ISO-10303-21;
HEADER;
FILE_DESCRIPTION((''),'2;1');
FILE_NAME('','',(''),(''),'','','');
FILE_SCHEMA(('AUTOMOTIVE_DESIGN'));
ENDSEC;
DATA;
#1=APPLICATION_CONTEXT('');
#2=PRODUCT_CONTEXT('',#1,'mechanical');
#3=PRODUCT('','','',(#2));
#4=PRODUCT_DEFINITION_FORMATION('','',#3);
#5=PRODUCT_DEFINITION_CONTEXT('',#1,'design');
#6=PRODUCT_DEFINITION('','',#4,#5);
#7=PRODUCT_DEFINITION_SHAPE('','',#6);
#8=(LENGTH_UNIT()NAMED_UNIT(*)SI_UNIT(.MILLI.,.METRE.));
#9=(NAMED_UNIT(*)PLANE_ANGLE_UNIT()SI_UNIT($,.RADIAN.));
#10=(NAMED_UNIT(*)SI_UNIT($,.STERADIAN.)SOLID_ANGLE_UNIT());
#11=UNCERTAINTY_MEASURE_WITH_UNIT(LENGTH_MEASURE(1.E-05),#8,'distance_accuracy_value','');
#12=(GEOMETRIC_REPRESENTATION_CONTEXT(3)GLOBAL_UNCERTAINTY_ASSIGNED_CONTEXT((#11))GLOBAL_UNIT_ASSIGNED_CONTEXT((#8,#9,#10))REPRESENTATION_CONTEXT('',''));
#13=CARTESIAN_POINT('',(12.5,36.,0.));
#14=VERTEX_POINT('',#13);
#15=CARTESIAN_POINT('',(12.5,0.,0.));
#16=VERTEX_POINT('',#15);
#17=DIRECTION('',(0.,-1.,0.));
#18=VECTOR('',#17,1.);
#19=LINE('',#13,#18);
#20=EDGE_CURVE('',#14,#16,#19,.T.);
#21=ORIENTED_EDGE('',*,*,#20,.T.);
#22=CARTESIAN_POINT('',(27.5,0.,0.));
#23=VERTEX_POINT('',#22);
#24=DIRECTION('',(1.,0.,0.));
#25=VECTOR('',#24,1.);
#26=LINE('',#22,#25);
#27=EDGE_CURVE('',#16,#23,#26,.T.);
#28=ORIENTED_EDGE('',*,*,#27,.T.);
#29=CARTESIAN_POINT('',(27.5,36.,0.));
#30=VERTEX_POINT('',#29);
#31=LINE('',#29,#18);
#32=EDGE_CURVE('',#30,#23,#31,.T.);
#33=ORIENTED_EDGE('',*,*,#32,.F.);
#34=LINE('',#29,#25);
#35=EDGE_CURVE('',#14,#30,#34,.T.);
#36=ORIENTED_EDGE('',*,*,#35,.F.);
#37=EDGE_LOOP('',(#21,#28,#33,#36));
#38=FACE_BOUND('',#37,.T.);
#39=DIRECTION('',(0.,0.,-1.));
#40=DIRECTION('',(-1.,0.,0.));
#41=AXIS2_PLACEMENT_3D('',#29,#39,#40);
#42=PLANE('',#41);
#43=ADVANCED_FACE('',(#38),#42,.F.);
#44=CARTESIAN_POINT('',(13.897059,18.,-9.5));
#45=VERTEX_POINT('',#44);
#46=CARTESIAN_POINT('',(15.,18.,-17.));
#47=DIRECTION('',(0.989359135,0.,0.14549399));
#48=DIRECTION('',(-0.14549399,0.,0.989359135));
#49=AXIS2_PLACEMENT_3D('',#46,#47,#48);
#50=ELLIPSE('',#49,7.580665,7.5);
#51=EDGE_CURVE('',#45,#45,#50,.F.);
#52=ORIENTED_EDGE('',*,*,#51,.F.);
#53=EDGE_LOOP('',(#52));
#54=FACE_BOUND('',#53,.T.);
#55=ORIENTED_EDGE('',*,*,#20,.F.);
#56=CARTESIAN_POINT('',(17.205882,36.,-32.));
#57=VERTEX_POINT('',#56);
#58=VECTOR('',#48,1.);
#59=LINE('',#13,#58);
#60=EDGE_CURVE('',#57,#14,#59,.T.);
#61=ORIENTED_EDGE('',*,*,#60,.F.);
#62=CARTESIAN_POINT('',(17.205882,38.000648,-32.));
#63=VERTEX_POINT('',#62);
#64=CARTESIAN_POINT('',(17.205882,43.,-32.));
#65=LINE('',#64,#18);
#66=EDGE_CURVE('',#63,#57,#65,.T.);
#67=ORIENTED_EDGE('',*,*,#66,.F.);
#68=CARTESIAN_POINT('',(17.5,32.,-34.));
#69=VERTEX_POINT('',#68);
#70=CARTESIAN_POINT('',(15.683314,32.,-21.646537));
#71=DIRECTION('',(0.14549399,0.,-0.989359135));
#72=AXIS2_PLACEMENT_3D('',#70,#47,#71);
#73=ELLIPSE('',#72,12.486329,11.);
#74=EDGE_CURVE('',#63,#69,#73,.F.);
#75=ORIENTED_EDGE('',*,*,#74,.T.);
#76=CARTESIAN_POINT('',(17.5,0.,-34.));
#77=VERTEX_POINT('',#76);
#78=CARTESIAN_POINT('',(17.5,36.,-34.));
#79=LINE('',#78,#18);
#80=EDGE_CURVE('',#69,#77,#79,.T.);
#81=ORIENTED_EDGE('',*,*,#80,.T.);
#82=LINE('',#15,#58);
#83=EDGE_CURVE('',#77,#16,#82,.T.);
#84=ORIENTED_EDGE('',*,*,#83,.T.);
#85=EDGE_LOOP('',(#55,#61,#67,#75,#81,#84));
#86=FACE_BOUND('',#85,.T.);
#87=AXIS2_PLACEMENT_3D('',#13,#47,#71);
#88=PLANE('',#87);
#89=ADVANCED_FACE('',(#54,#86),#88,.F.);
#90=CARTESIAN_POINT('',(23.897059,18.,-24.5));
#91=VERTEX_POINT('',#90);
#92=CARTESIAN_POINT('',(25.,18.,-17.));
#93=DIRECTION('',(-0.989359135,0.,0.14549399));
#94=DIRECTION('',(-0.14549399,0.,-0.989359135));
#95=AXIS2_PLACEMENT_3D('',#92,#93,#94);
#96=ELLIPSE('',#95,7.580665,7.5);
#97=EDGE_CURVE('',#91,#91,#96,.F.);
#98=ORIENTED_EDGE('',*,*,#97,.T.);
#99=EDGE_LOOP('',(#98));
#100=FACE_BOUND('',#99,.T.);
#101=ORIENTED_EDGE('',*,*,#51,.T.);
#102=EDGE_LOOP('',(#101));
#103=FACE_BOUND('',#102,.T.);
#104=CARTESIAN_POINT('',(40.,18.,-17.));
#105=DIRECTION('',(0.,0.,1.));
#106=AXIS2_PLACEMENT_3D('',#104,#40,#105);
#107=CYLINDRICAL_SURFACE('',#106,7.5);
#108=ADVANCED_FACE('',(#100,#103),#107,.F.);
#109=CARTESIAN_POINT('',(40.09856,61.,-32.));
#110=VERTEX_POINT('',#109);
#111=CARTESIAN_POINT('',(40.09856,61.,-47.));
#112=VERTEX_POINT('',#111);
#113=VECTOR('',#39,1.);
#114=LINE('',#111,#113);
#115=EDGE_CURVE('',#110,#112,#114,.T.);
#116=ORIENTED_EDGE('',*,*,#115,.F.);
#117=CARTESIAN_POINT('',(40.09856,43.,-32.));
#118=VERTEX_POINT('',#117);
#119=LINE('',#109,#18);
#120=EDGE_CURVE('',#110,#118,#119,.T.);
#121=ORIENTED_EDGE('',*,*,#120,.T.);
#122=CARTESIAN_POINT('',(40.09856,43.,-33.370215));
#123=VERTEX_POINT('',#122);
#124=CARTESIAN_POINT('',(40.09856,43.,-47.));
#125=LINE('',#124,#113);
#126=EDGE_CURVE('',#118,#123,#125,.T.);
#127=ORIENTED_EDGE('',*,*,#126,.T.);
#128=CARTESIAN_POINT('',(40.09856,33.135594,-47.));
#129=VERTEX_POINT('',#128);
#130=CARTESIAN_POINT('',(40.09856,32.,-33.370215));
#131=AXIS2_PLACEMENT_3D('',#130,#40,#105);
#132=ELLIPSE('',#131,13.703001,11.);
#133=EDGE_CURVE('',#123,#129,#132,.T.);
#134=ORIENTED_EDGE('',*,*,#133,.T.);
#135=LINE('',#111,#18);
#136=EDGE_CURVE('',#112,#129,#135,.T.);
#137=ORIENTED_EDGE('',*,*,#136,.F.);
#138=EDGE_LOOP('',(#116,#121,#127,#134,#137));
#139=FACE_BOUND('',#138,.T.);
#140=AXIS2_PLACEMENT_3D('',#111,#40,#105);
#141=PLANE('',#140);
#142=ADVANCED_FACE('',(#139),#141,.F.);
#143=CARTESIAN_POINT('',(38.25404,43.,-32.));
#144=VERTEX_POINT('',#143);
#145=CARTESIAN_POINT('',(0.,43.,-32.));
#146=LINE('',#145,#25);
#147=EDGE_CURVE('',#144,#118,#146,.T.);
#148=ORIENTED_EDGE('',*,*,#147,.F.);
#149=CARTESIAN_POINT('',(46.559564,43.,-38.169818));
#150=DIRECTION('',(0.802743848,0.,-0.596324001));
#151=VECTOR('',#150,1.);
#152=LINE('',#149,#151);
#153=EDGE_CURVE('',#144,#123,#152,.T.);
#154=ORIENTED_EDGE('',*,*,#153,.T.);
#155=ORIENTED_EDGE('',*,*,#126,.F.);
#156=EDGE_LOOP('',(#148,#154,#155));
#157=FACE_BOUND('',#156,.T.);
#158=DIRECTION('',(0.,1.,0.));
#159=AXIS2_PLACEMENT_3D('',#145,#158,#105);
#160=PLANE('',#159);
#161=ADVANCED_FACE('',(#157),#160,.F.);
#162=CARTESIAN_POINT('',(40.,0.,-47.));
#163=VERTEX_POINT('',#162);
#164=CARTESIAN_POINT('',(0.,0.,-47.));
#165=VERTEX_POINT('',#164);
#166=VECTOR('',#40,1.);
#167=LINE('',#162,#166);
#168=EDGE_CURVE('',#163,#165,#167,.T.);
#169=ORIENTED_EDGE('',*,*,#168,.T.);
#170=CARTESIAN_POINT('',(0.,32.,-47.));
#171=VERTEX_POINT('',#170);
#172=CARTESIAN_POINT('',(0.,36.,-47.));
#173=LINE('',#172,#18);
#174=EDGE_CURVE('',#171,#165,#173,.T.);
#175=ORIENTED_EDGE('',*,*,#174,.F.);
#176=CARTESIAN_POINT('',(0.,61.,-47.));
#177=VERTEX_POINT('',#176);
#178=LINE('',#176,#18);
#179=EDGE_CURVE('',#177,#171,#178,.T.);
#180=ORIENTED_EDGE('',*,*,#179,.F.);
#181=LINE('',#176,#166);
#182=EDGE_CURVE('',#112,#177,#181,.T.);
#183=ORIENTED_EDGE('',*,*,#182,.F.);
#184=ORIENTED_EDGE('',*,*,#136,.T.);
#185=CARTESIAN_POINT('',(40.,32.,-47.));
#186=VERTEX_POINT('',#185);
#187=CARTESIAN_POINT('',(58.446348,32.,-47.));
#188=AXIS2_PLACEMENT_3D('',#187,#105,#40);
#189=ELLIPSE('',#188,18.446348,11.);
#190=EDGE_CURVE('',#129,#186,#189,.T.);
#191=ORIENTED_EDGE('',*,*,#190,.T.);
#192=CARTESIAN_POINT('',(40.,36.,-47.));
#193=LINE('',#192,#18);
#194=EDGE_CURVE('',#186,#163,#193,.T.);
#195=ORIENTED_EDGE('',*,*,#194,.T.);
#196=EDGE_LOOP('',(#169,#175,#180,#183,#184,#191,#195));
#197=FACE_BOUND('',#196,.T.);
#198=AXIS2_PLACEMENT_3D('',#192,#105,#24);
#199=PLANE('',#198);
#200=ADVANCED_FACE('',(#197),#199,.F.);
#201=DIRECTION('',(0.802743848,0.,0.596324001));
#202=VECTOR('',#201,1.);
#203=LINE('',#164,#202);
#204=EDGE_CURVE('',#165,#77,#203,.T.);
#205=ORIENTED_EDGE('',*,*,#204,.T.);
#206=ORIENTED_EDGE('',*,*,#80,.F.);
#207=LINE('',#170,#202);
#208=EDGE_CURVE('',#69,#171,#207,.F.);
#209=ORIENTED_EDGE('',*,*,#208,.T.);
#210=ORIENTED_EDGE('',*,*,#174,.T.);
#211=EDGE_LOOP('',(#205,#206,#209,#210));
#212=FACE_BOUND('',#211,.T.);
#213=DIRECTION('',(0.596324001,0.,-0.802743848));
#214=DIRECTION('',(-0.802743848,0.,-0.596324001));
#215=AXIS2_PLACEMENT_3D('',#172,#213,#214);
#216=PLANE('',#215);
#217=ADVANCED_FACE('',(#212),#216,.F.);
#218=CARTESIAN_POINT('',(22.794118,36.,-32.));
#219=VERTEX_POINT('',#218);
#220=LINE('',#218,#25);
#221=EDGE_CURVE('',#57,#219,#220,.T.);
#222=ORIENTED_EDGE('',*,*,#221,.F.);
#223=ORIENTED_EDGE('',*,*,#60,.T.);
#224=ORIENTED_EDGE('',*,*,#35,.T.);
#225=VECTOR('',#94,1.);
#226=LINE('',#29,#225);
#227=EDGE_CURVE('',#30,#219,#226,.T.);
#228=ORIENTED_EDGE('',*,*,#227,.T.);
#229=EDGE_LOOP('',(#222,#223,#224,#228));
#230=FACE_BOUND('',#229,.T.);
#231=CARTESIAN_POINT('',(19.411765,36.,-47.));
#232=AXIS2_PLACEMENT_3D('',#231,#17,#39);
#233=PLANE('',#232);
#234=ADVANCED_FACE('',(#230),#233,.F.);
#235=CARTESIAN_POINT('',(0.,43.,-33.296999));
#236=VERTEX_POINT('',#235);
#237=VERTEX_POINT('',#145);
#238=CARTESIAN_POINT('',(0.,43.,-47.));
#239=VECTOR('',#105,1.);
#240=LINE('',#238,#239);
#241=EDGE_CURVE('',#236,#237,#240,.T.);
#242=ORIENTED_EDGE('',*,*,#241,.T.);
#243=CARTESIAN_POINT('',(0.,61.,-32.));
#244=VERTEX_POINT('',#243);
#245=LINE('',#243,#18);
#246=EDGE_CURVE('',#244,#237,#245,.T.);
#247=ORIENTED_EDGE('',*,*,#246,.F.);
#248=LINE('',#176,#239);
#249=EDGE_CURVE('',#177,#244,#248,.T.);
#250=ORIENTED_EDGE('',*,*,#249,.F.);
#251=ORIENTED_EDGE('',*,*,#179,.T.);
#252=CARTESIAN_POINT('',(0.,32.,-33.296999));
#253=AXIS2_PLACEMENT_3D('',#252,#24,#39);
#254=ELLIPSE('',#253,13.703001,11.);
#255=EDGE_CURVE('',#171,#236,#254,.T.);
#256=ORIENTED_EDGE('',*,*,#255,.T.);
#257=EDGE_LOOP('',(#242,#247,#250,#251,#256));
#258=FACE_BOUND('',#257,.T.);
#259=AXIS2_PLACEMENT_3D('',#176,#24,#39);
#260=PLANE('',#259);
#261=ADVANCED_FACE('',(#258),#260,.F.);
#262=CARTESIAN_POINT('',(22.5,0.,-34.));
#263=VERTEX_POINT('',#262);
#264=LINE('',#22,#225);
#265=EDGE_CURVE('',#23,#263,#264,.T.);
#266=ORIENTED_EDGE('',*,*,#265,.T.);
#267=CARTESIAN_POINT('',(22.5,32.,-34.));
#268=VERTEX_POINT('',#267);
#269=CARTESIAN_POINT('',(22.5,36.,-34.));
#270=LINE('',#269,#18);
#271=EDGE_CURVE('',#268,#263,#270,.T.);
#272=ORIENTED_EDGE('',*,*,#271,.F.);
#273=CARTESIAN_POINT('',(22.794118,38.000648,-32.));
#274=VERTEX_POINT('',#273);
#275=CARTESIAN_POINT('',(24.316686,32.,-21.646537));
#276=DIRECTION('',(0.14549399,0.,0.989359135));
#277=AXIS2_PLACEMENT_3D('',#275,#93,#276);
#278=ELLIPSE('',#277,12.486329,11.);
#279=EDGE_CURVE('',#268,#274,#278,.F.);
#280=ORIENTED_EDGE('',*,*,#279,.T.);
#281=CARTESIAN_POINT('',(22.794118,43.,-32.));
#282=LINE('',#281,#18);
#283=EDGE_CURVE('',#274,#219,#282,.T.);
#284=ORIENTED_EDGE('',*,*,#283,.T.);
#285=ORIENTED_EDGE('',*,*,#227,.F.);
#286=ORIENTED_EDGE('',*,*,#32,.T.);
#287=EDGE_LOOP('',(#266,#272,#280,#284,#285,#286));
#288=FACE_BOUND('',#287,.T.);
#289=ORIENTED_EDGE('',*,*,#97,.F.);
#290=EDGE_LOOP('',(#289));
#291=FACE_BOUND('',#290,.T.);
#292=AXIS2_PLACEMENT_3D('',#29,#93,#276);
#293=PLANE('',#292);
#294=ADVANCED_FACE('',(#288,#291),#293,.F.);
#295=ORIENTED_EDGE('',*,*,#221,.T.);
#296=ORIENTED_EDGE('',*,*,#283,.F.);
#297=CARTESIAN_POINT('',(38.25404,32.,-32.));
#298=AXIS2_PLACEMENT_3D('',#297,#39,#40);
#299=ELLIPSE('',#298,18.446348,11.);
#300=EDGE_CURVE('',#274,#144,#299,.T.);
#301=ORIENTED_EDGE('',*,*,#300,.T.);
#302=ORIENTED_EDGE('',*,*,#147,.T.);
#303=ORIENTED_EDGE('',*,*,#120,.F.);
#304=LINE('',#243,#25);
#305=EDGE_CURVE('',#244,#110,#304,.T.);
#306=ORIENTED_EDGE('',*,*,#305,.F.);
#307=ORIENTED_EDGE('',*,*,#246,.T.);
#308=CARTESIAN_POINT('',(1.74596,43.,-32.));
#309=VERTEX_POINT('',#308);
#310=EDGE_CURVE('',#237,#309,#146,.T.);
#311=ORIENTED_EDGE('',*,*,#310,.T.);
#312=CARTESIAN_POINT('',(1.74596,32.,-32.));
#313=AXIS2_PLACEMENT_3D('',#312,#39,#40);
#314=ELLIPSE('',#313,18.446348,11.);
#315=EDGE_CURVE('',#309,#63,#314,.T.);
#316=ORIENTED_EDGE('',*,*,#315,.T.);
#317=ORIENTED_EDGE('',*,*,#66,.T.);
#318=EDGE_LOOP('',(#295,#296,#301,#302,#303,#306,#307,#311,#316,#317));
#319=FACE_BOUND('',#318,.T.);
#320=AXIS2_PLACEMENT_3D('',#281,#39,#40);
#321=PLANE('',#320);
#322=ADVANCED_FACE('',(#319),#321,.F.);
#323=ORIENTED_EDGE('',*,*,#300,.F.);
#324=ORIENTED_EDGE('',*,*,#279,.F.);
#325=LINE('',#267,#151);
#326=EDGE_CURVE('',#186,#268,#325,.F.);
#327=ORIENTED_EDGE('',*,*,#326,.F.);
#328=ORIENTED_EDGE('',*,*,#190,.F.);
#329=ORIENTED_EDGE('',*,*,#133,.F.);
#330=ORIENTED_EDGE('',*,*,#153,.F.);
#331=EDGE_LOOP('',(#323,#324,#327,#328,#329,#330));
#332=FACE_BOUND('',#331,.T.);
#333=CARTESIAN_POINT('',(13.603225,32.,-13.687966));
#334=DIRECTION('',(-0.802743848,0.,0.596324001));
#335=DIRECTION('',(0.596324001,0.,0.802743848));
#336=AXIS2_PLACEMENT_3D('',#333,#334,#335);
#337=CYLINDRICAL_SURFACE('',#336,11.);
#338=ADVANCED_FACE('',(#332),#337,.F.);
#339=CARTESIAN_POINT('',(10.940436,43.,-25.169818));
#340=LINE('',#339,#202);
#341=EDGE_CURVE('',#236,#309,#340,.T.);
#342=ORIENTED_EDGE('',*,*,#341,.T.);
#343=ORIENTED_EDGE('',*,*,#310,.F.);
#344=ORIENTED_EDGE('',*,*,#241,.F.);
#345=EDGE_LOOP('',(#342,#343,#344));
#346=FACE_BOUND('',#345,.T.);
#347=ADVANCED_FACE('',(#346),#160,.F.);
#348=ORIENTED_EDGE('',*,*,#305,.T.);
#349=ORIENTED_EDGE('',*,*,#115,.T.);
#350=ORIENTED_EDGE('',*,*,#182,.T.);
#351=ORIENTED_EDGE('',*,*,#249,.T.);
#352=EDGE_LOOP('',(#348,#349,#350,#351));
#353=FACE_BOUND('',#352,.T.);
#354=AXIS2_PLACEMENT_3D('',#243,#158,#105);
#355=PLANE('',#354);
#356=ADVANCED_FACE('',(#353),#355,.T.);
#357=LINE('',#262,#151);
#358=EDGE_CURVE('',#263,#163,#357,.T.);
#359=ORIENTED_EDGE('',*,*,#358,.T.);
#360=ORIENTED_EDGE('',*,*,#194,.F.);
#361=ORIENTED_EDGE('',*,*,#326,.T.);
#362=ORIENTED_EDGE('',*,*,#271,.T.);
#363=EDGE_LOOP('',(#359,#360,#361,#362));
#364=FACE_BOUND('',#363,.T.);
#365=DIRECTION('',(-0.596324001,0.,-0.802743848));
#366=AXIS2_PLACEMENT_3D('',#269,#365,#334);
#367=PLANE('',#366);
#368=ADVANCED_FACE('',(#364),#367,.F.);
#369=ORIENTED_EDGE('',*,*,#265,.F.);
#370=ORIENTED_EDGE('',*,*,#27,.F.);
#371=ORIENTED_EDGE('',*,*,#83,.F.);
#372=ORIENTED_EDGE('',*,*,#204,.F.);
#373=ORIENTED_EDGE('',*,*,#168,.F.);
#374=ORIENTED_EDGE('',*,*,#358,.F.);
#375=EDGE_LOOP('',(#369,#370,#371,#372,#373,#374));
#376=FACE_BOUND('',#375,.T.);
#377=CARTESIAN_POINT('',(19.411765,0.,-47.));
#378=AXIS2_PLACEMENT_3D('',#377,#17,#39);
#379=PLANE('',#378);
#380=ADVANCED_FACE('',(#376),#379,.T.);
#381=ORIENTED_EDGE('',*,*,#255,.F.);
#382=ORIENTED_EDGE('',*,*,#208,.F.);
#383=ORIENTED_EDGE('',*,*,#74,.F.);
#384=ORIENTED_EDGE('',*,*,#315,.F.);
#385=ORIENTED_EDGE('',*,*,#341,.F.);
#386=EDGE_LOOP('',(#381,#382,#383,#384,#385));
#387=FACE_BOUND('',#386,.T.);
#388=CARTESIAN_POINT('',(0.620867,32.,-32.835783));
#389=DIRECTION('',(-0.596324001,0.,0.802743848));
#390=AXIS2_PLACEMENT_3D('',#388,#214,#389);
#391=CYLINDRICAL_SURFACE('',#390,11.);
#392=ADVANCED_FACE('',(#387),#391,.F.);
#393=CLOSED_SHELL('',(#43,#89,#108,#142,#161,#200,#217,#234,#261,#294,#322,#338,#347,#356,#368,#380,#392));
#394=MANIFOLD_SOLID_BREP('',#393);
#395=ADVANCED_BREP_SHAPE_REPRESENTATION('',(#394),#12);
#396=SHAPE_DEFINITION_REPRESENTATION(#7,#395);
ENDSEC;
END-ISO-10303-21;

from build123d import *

# Parameters (mm, degrees)
BOSS_EXTRUDE1_DEPTH = 36
SKETCH2_R           = 7.5
CUT_EXTRUDE1_DEPTH  = 72.449282712
BOSS_EXTRUDE5_DEPTH = 7
SKETCH9_W           = 40.098560475
SKETCH9_H           = 15
BOSS_EXTRUDE6_DEPTH = 18
FILLET4_R           = 11


with BuildPart() as part:
    # Sketch1 → Boss-Extrude1 (new body)
    with BuildSketch(Plane(origin=(0, 0, 0), x_dir=(1, 0, 0), z_dir=(0, 1, 0))):
        Polygon((27.5, 0), (12.5, 0), (17.5, 34), (0, 47), (40, 47), (22.5, 34), align=None)
    extrude(amount=BOSS_EXTRUDE1_DEPTH)

    # Sketch2 → Cut-Extrude1 (cut, through all)
    with BuildSketch(Plane(origin=(0, 0, 0), x_dir=(0, 0, -1), z_dir=(1, 0, 0))):
        with Locations(Location((17, 18, 0), (0, 0, 180))):
            Circle(SKETCH2_R)
    extrude(amount=CUT_EXTRUDE1_DEPTH, mode=Mode.SUBTRACT)

    # Sketch7 → Boss-Extrude5 (add)
    with BuildSketch(Plane(origin=(0, 36, 0), x_dir=(1, 0, 0), z_dir=(0, 1, 0))):
        Polygon((0, 47), (40, 47), (22.5, 34), (22.794117647, 32), (17.205882353, 32), (17.5, 34), align=None)
    extrude(amount=BOSS_EXTRUDE5_DEPTH)

    # Sketch9 → Boss-Extrude6 (add)
    with BuildSketch(Plane(origin=(0, 43, 0), x_dir=(1, 0, 0), z_dir=(0, 1, 0))):
        with Locations((20.049280237, 39.5)):
            Rectangle(SKETCH9_W, SKETCH9_H)
    extrude(amount=BOSS_EXTRUDE6_DEPTH)

    # Fillet4
    fillet4_edges = [part.edges().sort_by_distance(p)[0] for p in [
        (31.25, 43, -40.5),
        (8.75, 43, -40.5),
    ]]
    fillet(fillet4_edges, radius=FILLET4_R)


solid = part.part
